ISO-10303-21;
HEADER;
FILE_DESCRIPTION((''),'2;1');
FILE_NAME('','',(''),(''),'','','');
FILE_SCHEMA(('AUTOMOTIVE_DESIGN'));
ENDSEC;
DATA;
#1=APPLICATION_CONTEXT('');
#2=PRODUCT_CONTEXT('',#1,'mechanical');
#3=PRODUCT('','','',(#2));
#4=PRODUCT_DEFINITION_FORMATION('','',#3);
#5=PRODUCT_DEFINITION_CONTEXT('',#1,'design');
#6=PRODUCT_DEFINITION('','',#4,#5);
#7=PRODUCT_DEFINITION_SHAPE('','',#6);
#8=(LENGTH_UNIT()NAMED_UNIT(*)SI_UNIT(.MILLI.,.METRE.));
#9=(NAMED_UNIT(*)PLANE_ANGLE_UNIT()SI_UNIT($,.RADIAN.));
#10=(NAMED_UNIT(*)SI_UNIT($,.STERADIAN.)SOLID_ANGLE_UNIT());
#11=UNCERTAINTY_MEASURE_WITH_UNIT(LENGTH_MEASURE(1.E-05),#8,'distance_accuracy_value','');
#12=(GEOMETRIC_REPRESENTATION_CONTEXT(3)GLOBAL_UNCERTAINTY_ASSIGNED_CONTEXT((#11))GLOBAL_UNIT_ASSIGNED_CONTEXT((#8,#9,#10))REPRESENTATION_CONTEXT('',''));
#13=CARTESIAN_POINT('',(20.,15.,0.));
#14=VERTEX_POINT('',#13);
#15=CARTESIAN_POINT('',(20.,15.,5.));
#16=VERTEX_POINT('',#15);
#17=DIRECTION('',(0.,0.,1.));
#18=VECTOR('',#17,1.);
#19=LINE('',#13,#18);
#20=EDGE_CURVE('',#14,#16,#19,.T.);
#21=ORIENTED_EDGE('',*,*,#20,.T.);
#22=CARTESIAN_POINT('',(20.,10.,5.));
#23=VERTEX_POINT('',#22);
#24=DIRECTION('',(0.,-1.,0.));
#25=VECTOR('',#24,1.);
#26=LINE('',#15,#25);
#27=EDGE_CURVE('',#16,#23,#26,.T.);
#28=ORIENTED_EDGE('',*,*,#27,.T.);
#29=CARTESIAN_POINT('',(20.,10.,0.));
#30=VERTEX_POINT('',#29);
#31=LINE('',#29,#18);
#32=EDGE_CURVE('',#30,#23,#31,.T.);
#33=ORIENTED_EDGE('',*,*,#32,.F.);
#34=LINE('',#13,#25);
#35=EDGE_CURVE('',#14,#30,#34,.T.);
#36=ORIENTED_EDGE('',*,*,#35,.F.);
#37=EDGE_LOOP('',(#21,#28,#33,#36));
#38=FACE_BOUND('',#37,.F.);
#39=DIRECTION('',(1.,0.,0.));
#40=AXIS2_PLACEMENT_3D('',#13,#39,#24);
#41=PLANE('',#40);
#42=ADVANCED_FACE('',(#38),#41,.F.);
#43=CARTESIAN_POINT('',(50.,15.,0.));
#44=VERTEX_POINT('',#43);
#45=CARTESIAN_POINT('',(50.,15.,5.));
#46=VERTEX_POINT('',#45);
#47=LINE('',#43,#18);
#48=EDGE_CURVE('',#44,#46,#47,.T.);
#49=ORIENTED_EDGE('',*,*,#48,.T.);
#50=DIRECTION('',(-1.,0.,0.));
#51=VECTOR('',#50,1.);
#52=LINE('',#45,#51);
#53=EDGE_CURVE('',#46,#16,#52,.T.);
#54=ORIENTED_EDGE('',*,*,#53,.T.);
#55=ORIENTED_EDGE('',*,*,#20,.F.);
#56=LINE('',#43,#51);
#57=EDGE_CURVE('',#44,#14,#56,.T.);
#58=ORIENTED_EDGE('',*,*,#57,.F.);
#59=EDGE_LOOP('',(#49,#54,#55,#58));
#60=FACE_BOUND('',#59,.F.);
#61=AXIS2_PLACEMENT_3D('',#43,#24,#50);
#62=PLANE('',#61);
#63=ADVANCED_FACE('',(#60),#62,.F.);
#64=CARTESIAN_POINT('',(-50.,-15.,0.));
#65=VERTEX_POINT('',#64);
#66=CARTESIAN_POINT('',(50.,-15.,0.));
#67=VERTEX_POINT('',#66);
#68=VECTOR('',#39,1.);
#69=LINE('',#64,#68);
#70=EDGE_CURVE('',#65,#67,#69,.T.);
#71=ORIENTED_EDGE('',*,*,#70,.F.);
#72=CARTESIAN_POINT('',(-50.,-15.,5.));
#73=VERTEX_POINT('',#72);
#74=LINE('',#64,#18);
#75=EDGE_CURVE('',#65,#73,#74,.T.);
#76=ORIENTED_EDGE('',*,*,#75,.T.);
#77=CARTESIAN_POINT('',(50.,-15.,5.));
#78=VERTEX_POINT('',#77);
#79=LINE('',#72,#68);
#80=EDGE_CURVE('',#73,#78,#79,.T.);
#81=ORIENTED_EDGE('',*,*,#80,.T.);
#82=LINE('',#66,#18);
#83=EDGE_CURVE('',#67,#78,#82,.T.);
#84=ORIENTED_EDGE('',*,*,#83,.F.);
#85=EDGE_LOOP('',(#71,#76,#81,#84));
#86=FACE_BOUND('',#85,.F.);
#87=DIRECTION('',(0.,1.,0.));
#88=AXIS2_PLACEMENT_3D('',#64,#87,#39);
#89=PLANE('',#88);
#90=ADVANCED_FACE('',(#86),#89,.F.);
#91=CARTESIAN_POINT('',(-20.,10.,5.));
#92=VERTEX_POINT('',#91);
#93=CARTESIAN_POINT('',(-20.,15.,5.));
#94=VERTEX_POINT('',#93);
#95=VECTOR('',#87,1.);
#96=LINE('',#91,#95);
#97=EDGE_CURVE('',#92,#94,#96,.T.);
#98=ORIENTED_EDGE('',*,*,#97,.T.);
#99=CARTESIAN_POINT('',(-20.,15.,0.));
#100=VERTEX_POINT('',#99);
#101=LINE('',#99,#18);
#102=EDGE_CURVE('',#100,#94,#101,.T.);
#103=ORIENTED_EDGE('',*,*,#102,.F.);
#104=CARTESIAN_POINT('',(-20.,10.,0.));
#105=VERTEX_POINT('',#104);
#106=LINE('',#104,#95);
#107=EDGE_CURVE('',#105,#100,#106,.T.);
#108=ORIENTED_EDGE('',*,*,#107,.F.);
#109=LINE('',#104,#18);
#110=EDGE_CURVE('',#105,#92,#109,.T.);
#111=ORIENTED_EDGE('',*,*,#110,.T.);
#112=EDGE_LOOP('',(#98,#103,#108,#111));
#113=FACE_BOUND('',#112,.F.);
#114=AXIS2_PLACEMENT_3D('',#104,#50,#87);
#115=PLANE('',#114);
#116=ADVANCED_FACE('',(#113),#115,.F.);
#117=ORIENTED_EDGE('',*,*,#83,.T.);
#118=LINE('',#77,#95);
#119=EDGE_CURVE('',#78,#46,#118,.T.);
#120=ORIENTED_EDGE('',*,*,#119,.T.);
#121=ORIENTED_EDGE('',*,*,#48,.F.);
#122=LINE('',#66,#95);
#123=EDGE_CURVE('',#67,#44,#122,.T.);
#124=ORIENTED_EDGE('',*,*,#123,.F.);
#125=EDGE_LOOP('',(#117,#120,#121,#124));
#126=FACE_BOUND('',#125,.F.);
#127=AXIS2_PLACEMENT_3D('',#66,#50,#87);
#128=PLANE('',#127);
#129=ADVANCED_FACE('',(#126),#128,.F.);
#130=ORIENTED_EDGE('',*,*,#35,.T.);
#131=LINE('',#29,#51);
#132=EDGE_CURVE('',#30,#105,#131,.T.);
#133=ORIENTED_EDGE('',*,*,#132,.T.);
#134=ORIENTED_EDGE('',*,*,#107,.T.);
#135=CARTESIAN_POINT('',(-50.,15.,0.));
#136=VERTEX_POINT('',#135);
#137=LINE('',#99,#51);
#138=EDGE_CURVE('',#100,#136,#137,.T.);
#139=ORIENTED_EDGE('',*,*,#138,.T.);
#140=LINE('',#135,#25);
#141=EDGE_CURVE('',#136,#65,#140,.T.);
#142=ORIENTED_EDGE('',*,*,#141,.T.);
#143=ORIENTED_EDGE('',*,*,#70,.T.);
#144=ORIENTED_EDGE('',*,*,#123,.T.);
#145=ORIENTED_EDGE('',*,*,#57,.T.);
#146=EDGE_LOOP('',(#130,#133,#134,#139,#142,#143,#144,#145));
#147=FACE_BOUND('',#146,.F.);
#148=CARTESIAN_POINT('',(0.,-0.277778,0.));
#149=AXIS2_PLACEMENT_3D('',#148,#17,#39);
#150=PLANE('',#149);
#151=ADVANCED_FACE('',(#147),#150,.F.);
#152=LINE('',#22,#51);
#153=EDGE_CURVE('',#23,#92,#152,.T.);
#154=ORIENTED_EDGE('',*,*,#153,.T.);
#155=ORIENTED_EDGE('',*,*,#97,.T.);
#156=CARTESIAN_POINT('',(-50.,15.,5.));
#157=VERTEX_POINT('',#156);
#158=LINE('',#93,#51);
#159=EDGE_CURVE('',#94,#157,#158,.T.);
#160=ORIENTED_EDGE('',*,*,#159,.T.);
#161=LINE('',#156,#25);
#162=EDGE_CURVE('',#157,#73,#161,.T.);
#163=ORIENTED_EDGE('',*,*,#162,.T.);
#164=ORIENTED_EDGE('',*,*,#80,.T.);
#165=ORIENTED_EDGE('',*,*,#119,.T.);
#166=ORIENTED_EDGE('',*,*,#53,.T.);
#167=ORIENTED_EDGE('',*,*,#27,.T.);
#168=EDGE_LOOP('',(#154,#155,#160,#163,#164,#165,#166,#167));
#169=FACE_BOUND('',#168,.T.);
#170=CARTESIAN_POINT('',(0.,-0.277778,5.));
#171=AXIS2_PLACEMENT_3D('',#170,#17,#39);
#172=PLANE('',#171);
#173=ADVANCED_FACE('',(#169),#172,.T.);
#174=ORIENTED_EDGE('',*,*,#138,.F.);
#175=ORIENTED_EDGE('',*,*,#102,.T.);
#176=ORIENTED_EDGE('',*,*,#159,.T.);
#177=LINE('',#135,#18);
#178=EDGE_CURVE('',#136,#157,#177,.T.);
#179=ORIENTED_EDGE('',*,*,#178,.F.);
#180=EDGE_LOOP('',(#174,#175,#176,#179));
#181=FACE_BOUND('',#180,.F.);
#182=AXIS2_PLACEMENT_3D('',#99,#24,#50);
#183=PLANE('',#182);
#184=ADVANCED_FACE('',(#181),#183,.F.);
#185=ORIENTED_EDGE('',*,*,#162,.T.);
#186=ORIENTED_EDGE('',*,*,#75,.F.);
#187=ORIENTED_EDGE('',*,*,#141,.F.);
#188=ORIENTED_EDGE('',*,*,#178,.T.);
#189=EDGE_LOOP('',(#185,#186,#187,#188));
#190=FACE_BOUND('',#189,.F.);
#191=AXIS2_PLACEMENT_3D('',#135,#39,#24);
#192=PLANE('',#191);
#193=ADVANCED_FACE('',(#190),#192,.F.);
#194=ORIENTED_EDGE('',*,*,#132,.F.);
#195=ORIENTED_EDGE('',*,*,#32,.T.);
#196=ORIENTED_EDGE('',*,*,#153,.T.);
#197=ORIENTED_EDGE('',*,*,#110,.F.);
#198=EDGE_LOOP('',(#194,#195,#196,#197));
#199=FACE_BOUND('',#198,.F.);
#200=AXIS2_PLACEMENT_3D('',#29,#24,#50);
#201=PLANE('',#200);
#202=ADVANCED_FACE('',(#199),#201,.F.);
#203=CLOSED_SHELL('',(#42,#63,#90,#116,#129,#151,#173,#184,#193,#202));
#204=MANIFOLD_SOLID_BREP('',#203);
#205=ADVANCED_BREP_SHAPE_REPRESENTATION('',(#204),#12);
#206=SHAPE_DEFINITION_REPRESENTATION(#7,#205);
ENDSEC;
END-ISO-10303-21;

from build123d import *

# Parameters (mm, degrees)
BOSS_EXTRUDE1_DEPTH = 5


with BuildPart() as part:
    # Sketch1 → Boss-Extrude1 (new body)
    with BuildSketch(Plane.XY):
        Polygon((-50, -15), (50, -15), (50, 15), (20, 15), (20, 10), (-20, 10), (-20, 15), (-50, 15), align=None)
    extrude(amount=BOSS_EXTRUDE1_DEPTH)


solid = part.part
